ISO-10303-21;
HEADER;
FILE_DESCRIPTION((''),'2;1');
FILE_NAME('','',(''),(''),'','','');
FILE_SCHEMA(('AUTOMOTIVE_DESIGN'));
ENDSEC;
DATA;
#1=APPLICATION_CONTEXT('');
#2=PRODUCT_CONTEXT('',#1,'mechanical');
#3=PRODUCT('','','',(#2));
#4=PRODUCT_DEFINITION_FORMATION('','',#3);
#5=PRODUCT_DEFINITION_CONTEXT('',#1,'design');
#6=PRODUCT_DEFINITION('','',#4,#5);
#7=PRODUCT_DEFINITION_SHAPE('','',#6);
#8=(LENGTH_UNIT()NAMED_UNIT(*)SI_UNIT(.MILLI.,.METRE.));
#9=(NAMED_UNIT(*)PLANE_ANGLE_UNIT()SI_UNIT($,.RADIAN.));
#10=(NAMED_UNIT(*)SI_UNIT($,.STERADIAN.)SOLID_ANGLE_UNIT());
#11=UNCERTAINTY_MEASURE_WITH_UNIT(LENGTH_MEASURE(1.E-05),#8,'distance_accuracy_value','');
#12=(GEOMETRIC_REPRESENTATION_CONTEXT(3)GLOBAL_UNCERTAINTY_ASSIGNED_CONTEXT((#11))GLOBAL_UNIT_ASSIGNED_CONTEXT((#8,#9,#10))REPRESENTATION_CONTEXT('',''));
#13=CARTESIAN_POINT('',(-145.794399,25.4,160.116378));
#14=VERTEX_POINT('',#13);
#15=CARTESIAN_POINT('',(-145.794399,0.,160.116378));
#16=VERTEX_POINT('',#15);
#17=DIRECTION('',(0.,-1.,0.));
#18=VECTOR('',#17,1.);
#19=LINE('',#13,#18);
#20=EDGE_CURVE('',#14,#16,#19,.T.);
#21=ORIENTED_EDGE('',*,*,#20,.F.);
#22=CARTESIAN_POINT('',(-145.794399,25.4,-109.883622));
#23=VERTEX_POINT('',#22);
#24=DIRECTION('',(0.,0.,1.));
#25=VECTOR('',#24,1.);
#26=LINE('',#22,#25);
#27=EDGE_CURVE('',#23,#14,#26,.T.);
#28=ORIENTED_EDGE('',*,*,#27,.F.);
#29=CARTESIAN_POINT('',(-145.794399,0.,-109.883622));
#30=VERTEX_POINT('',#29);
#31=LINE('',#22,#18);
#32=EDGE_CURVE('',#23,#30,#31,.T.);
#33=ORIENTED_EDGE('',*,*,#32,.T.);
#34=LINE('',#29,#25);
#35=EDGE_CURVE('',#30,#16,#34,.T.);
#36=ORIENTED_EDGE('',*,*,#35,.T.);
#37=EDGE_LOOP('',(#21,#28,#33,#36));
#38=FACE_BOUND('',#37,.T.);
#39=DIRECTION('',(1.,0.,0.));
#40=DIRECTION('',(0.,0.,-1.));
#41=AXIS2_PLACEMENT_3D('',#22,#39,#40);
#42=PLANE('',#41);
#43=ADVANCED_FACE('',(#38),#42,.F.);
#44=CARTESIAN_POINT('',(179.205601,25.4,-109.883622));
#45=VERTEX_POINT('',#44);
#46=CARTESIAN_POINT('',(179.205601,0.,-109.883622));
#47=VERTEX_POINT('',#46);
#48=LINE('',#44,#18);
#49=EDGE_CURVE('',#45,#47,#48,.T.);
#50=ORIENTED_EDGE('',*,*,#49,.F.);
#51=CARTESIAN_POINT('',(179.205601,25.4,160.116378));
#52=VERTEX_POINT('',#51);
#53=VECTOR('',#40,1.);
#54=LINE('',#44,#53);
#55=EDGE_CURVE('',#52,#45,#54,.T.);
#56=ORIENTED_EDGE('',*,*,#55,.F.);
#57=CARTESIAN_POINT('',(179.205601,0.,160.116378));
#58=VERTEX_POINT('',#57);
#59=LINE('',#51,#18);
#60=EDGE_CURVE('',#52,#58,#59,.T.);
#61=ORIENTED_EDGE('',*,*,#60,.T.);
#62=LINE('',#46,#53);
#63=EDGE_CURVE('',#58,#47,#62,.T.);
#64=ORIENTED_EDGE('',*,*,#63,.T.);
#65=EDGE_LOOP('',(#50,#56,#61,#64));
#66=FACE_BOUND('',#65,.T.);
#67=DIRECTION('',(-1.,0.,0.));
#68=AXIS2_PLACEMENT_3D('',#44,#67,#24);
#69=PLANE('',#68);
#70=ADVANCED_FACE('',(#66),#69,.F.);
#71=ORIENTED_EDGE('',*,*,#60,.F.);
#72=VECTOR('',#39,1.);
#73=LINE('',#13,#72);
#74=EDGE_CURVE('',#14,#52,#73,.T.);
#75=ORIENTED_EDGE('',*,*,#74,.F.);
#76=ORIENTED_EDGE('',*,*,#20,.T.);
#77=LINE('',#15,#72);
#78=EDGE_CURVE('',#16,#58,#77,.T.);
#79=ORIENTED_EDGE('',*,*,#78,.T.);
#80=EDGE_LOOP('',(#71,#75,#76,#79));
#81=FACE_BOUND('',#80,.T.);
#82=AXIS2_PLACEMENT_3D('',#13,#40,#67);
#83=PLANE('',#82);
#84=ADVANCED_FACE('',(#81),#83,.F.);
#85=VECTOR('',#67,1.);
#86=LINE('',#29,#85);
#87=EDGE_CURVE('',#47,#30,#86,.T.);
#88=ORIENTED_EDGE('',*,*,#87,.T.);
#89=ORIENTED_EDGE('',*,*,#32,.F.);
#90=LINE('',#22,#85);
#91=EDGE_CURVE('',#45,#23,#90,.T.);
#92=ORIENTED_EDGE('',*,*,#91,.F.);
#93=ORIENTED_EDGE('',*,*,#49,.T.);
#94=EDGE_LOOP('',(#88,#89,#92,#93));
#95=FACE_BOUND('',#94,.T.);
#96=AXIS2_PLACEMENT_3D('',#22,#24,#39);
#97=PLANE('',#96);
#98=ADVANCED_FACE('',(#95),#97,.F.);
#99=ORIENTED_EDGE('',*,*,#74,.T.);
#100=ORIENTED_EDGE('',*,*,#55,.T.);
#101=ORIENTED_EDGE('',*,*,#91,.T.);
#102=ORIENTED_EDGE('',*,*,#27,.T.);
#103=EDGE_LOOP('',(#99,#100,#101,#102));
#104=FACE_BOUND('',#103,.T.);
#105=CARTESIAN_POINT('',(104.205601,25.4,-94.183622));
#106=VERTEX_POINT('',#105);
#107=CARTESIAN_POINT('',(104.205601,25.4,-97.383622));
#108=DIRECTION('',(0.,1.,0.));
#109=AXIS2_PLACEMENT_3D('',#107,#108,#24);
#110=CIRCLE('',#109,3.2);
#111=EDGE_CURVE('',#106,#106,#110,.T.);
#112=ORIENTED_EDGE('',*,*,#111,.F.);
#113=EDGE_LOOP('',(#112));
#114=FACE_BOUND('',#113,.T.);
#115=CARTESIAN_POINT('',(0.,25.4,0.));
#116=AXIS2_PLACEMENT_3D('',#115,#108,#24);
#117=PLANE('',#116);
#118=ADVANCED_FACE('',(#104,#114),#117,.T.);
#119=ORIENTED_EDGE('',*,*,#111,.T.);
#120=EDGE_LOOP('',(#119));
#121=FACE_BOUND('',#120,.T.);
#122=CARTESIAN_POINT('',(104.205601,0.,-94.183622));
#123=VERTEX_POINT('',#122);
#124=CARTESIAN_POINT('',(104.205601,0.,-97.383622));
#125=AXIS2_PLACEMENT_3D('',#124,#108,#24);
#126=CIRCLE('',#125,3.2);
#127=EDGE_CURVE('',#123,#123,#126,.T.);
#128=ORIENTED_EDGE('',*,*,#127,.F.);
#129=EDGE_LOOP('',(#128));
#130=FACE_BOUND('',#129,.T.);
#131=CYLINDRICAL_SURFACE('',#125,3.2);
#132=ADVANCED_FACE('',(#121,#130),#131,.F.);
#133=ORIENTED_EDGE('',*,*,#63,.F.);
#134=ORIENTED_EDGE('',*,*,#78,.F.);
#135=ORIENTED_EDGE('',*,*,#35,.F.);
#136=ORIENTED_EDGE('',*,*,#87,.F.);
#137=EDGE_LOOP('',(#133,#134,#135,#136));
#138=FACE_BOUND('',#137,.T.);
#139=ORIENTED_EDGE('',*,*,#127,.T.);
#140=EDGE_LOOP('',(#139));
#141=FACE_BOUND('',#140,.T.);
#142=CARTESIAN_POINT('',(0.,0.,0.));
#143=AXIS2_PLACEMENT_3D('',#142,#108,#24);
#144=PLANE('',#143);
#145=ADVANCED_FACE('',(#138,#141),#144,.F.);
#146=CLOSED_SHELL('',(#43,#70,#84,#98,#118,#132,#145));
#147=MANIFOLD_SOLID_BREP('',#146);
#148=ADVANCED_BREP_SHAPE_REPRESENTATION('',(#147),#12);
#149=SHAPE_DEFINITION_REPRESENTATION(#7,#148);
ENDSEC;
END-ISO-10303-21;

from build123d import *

# Parameters (mm, degrees)
SKETCH2_W           = 325
SKETCH2_H           = 270
BOSS_EXTRUDE1_DEPTH = 25.4
SKETCH6_R           = 3.2
CUT_EXTRUDE3_DEPTH  = 25.4


with BuildPart() as part:
    # Sketch2 → Boss-Extrude1 (new body)
    with BuildSketch(Plane(origin=(0, 0, 0), x_dir=(1, 0, 0), z_dir=(0, 1, 0))):
        with Locations((16.705601256, -25.116377771)):
            Rectangle(SKETCH2_W, SKETCH2_H)
    extrude(amount=BOSS_EXTRUDE1_DEPTH)

    # Sketch6 → Cut-Extrude3 (cut)
    with BuildSketch(Plane(origin=(0, 25.4, 0), x_dir=(1, 0, 0), z_dir=(0, 1, 0))):
        with Locations(Location((104.205601256, 97.383622229, 0), (0, 0, 270))):
            Circle(SKETCH6_R)
    extrude(amount=-CUT_EXTRUDE3_DEPTH, mode=Mode.SUBTRACT)


solid = part.part
